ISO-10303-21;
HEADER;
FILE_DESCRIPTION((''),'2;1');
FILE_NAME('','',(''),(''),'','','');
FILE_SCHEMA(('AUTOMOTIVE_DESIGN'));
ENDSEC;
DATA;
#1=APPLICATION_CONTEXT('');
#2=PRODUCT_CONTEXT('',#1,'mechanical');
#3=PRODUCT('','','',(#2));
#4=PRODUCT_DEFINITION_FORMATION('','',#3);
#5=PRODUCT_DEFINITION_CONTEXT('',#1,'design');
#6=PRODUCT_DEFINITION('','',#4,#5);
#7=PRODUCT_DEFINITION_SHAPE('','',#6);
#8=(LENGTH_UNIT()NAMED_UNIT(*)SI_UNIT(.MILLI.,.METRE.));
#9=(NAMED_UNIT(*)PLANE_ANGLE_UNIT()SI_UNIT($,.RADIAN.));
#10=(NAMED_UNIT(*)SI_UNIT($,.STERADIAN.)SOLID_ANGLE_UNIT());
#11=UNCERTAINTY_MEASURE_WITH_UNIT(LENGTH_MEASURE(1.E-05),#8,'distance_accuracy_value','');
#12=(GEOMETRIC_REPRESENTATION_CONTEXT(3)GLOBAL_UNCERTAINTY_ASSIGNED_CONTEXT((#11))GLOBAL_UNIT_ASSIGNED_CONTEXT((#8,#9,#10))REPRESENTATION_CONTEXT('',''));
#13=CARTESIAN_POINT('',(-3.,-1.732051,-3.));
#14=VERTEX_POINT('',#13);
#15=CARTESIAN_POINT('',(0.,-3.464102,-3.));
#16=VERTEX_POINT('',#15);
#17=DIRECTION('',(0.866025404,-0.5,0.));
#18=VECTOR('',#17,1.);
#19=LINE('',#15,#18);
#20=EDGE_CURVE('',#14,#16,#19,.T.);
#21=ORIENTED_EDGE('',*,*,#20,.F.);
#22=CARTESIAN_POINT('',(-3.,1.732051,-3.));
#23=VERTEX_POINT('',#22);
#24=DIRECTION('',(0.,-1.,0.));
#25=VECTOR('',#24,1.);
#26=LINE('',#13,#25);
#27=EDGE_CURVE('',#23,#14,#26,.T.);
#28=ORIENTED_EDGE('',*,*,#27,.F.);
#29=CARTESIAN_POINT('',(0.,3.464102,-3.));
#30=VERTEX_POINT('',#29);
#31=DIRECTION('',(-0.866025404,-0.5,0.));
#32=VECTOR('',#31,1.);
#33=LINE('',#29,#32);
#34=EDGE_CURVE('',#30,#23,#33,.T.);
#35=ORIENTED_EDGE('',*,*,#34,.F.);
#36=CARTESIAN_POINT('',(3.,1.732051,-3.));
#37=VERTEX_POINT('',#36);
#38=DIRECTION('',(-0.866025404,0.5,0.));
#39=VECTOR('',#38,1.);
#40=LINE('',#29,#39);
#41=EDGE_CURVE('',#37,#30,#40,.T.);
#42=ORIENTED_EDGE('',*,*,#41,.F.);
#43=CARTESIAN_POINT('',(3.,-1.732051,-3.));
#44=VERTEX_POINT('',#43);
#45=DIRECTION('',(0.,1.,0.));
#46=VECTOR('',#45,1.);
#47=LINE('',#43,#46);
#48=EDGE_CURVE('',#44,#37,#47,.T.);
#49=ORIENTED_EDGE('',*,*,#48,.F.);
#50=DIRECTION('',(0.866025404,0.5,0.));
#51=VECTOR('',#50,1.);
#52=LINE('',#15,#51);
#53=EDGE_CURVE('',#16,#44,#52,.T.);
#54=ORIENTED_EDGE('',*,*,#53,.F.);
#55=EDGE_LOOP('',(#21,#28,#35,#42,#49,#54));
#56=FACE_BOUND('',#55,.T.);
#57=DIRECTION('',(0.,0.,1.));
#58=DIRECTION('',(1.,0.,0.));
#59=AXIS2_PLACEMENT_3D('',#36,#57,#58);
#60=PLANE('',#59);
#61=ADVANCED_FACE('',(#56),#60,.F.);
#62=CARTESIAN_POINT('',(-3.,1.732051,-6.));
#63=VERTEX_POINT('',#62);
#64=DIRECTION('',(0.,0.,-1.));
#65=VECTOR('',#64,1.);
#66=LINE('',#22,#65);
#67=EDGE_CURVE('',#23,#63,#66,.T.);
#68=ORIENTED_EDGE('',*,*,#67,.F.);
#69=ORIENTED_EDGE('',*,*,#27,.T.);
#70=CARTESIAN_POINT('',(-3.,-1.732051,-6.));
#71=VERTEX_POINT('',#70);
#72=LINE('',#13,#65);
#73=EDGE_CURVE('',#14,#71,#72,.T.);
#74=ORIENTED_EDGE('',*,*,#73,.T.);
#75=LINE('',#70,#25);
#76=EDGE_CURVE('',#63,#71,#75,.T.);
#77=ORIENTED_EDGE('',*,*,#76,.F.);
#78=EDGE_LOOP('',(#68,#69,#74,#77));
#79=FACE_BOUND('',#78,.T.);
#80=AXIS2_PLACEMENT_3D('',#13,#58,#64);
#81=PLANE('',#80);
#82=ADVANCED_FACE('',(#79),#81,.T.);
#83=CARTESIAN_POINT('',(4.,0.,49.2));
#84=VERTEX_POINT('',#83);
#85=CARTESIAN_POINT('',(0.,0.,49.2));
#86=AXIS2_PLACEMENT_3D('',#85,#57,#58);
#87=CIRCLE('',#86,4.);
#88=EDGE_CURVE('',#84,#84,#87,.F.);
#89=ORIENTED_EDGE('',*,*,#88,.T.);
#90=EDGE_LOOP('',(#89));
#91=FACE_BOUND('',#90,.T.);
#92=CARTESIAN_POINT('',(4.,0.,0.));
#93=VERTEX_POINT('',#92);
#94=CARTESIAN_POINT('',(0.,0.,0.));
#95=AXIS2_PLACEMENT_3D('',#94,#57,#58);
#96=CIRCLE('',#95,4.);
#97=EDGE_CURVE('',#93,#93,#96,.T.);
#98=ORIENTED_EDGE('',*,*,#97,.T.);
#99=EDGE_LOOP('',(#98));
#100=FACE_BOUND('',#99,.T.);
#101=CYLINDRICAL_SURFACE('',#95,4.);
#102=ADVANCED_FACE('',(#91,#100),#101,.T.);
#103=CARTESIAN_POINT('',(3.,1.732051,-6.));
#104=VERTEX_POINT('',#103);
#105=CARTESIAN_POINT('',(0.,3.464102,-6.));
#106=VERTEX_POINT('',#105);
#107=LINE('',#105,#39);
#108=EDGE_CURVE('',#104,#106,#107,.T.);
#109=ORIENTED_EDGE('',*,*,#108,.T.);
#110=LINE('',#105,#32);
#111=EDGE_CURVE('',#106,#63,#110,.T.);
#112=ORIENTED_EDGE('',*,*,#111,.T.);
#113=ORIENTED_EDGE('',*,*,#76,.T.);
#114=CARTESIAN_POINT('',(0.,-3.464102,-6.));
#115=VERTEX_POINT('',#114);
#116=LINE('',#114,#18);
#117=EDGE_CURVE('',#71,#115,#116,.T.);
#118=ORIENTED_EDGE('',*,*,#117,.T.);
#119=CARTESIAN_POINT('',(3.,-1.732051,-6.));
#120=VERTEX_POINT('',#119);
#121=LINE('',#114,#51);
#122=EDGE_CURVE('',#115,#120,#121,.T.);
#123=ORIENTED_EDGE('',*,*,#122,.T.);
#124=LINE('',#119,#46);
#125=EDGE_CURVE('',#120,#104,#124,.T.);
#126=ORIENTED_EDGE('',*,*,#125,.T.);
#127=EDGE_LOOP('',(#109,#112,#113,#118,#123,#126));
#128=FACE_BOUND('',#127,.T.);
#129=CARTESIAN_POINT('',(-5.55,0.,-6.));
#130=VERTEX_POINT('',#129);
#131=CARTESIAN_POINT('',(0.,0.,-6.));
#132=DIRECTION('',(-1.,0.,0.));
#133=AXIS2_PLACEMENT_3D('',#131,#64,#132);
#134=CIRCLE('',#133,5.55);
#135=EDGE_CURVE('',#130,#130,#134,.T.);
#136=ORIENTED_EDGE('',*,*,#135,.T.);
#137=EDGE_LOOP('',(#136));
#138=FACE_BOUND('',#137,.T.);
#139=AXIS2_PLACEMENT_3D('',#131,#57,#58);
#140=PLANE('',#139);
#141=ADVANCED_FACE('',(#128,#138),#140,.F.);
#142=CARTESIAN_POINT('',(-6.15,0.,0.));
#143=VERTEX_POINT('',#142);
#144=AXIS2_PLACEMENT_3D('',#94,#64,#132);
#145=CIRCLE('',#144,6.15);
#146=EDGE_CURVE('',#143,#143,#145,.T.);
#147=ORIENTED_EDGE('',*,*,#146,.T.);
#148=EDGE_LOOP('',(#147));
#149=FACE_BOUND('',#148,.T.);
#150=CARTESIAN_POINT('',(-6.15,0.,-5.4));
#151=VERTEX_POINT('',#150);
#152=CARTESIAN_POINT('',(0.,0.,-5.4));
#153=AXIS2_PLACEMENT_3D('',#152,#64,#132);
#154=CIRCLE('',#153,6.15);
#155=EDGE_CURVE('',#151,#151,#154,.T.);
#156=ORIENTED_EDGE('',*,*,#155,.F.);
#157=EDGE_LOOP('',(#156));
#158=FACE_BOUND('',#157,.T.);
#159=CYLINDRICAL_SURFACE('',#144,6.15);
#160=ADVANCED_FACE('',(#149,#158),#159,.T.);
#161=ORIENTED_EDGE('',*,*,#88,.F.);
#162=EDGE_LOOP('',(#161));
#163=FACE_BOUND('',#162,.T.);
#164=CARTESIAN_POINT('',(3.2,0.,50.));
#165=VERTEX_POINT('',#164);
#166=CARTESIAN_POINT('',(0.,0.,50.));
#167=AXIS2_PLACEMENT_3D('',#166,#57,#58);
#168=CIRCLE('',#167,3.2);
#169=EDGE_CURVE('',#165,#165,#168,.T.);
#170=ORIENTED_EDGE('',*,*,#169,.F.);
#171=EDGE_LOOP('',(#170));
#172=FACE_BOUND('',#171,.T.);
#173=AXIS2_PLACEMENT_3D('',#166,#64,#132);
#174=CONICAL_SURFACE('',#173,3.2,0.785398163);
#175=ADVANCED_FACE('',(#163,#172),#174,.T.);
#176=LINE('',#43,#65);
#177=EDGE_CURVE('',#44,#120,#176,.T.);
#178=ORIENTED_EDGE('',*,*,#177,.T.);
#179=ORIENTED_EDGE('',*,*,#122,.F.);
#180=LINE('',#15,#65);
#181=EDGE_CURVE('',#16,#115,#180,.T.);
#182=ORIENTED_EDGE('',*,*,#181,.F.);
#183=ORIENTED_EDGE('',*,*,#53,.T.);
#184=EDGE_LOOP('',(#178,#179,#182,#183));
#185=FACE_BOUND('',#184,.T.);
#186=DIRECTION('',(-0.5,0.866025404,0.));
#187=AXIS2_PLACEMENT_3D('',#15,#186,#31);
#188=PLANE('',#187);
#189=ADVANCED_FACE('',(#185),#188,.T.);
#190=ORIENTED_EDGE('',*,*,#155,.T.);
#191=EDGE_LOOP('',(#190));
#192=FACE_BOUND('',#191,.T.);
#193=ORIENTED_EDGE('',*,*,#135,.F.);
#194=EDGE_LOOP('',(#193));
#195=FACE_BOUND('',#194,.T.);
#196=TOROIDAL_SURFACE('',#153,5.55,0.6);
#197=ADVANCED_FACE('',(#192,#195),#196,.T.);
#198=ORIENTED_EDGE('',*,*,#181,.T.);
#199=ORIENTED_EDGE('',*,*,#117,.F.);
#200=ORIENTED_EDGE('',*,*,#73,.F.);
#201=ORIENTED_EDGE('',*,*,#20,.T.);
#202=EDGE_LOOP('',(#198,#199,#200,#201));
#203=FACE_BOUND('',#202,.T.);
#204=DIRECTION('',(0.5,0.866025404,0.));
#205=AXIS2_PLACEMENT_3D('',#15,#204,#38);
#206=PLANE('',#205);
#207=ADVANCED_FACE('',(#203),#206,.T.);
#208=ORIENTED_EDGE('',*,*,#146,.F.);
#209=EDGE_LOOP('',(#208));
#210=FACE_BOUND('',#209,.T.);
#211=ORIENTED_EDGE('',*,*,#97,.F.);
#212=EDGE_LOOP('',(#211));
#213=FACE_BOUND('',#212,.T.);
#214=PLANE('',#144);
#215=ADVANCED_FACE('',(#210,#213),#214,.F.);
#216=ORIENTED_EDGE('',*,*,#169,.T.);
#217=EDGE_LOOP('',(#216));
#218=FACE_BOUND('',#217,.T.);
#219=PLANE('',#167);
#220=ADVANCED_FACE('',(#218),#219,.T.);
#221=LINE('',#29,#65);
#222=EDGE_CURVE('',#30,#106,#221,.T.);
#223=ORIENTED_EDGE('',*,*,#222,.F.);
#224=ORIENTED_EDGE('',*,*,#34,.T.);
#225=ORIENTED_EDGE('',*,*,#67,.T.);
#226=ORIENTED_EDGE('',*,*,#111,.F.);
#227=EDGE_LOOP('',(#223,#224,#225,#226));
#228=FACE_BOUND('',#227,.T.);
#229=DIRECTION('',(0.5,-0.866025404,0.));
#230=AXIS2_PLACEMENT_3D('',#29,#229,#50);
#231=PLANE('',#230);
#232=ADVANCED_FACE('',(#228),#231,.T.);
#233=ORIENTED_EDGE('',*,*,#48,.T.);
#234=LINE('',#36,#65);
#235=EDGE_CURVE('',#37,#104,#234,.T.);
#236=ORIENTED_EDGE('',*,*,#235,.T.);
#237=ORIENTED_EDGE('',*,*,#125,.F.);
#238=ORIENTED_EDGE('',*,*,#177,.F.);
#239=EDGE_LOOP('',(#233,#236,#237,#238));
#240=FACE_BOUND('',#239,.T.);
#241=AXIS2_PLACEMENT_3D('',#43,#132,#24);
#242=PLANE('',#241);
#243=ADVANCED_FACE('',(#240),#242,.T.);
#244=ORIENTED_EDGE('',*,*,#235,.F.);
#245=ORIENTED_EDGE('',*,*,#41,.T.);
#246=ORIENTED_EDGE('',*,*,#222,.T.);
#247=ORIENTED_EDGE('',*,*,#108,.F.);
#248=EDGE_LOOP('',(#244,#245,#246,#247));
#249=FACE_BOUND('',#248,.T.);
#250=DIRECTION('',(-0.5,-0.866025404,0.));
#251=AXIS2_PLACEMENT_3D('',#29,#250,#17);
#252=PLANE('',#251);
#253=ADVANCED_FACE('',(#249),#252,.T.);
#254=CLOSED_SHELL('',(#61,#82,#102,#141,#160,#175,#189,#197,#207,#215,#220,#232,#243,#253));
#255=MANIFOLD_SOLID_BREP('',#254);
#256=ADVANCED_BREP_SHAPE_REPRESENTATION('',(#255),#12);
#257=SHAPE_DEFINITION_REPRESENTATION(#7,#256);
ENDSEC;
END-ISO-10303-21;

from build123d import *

# Parameters (mm, degrees)
ENLEV_MAT_EXTRU1_DEPTH = 3
ESQUISSE3_W            = 4
ESQUISSE3_H            = 50
CHANFREIN1_SIZE        = 0.8


with BuildPart() as part:
    # Esquisse1 → Base-Révolution (revolve)
    with BuildSketch(Plane(origin=(0, 0, 0), x_dir=(1, 0, 0), z_dir=(0, 1, 0))):
        with BuildLine():
            Line((0, 0), (6.15, 0))
            Line((6.15, 0), (6.15, 5.4))
            ThreePointArc((6.15, 5.4), (5.974264069, 5.824264069), (5.55, 6))
            Line((5.55, 6), (0, 6))
            Line((0, 6), (0, 0))
        make_face()
    revolve(axis=Axis((0, 0, 0), (0, 0, -1)))

    # Esquisse2 → enlev-mat-Extru1 (cut)
    with BuildSketch(Plane.XY.offset(-6)):
        Polygon((3, -1.732050808), (3, 1.732050808), (0, 3.464101615), (-3, 1.732050808), (-3, -1.732050808), (0, -3.464101615), align=None)
    extrude(amount=ENLEV_MAT_EXTRU1_DEPTH, mode=Mode.SUBTRACT)

    # Esquisse3 → Boss.-Révol.1 (revolve)
    with BuildSketch(Plane(origin=(0, 0, 0), x_dir=(1, 0, 0), z_dir=(0, 1, 0))):
        with Locations((2, -25)):
            Rectangle(ESQUISSE3_W, ESQUISSE3_H)
    revolve(axis=Axis((0, 0, 0), (0, 0, 1)))

    # Chanfrein1
    chanfrein1_edges = [part.edges().sort_by_distance(p)[0] for p in [
        (-4, 0, 50),
    ]]
    chamfer(chanfrein1_edges, length=CHANFREIN1_SIZE)


solid = part.part
